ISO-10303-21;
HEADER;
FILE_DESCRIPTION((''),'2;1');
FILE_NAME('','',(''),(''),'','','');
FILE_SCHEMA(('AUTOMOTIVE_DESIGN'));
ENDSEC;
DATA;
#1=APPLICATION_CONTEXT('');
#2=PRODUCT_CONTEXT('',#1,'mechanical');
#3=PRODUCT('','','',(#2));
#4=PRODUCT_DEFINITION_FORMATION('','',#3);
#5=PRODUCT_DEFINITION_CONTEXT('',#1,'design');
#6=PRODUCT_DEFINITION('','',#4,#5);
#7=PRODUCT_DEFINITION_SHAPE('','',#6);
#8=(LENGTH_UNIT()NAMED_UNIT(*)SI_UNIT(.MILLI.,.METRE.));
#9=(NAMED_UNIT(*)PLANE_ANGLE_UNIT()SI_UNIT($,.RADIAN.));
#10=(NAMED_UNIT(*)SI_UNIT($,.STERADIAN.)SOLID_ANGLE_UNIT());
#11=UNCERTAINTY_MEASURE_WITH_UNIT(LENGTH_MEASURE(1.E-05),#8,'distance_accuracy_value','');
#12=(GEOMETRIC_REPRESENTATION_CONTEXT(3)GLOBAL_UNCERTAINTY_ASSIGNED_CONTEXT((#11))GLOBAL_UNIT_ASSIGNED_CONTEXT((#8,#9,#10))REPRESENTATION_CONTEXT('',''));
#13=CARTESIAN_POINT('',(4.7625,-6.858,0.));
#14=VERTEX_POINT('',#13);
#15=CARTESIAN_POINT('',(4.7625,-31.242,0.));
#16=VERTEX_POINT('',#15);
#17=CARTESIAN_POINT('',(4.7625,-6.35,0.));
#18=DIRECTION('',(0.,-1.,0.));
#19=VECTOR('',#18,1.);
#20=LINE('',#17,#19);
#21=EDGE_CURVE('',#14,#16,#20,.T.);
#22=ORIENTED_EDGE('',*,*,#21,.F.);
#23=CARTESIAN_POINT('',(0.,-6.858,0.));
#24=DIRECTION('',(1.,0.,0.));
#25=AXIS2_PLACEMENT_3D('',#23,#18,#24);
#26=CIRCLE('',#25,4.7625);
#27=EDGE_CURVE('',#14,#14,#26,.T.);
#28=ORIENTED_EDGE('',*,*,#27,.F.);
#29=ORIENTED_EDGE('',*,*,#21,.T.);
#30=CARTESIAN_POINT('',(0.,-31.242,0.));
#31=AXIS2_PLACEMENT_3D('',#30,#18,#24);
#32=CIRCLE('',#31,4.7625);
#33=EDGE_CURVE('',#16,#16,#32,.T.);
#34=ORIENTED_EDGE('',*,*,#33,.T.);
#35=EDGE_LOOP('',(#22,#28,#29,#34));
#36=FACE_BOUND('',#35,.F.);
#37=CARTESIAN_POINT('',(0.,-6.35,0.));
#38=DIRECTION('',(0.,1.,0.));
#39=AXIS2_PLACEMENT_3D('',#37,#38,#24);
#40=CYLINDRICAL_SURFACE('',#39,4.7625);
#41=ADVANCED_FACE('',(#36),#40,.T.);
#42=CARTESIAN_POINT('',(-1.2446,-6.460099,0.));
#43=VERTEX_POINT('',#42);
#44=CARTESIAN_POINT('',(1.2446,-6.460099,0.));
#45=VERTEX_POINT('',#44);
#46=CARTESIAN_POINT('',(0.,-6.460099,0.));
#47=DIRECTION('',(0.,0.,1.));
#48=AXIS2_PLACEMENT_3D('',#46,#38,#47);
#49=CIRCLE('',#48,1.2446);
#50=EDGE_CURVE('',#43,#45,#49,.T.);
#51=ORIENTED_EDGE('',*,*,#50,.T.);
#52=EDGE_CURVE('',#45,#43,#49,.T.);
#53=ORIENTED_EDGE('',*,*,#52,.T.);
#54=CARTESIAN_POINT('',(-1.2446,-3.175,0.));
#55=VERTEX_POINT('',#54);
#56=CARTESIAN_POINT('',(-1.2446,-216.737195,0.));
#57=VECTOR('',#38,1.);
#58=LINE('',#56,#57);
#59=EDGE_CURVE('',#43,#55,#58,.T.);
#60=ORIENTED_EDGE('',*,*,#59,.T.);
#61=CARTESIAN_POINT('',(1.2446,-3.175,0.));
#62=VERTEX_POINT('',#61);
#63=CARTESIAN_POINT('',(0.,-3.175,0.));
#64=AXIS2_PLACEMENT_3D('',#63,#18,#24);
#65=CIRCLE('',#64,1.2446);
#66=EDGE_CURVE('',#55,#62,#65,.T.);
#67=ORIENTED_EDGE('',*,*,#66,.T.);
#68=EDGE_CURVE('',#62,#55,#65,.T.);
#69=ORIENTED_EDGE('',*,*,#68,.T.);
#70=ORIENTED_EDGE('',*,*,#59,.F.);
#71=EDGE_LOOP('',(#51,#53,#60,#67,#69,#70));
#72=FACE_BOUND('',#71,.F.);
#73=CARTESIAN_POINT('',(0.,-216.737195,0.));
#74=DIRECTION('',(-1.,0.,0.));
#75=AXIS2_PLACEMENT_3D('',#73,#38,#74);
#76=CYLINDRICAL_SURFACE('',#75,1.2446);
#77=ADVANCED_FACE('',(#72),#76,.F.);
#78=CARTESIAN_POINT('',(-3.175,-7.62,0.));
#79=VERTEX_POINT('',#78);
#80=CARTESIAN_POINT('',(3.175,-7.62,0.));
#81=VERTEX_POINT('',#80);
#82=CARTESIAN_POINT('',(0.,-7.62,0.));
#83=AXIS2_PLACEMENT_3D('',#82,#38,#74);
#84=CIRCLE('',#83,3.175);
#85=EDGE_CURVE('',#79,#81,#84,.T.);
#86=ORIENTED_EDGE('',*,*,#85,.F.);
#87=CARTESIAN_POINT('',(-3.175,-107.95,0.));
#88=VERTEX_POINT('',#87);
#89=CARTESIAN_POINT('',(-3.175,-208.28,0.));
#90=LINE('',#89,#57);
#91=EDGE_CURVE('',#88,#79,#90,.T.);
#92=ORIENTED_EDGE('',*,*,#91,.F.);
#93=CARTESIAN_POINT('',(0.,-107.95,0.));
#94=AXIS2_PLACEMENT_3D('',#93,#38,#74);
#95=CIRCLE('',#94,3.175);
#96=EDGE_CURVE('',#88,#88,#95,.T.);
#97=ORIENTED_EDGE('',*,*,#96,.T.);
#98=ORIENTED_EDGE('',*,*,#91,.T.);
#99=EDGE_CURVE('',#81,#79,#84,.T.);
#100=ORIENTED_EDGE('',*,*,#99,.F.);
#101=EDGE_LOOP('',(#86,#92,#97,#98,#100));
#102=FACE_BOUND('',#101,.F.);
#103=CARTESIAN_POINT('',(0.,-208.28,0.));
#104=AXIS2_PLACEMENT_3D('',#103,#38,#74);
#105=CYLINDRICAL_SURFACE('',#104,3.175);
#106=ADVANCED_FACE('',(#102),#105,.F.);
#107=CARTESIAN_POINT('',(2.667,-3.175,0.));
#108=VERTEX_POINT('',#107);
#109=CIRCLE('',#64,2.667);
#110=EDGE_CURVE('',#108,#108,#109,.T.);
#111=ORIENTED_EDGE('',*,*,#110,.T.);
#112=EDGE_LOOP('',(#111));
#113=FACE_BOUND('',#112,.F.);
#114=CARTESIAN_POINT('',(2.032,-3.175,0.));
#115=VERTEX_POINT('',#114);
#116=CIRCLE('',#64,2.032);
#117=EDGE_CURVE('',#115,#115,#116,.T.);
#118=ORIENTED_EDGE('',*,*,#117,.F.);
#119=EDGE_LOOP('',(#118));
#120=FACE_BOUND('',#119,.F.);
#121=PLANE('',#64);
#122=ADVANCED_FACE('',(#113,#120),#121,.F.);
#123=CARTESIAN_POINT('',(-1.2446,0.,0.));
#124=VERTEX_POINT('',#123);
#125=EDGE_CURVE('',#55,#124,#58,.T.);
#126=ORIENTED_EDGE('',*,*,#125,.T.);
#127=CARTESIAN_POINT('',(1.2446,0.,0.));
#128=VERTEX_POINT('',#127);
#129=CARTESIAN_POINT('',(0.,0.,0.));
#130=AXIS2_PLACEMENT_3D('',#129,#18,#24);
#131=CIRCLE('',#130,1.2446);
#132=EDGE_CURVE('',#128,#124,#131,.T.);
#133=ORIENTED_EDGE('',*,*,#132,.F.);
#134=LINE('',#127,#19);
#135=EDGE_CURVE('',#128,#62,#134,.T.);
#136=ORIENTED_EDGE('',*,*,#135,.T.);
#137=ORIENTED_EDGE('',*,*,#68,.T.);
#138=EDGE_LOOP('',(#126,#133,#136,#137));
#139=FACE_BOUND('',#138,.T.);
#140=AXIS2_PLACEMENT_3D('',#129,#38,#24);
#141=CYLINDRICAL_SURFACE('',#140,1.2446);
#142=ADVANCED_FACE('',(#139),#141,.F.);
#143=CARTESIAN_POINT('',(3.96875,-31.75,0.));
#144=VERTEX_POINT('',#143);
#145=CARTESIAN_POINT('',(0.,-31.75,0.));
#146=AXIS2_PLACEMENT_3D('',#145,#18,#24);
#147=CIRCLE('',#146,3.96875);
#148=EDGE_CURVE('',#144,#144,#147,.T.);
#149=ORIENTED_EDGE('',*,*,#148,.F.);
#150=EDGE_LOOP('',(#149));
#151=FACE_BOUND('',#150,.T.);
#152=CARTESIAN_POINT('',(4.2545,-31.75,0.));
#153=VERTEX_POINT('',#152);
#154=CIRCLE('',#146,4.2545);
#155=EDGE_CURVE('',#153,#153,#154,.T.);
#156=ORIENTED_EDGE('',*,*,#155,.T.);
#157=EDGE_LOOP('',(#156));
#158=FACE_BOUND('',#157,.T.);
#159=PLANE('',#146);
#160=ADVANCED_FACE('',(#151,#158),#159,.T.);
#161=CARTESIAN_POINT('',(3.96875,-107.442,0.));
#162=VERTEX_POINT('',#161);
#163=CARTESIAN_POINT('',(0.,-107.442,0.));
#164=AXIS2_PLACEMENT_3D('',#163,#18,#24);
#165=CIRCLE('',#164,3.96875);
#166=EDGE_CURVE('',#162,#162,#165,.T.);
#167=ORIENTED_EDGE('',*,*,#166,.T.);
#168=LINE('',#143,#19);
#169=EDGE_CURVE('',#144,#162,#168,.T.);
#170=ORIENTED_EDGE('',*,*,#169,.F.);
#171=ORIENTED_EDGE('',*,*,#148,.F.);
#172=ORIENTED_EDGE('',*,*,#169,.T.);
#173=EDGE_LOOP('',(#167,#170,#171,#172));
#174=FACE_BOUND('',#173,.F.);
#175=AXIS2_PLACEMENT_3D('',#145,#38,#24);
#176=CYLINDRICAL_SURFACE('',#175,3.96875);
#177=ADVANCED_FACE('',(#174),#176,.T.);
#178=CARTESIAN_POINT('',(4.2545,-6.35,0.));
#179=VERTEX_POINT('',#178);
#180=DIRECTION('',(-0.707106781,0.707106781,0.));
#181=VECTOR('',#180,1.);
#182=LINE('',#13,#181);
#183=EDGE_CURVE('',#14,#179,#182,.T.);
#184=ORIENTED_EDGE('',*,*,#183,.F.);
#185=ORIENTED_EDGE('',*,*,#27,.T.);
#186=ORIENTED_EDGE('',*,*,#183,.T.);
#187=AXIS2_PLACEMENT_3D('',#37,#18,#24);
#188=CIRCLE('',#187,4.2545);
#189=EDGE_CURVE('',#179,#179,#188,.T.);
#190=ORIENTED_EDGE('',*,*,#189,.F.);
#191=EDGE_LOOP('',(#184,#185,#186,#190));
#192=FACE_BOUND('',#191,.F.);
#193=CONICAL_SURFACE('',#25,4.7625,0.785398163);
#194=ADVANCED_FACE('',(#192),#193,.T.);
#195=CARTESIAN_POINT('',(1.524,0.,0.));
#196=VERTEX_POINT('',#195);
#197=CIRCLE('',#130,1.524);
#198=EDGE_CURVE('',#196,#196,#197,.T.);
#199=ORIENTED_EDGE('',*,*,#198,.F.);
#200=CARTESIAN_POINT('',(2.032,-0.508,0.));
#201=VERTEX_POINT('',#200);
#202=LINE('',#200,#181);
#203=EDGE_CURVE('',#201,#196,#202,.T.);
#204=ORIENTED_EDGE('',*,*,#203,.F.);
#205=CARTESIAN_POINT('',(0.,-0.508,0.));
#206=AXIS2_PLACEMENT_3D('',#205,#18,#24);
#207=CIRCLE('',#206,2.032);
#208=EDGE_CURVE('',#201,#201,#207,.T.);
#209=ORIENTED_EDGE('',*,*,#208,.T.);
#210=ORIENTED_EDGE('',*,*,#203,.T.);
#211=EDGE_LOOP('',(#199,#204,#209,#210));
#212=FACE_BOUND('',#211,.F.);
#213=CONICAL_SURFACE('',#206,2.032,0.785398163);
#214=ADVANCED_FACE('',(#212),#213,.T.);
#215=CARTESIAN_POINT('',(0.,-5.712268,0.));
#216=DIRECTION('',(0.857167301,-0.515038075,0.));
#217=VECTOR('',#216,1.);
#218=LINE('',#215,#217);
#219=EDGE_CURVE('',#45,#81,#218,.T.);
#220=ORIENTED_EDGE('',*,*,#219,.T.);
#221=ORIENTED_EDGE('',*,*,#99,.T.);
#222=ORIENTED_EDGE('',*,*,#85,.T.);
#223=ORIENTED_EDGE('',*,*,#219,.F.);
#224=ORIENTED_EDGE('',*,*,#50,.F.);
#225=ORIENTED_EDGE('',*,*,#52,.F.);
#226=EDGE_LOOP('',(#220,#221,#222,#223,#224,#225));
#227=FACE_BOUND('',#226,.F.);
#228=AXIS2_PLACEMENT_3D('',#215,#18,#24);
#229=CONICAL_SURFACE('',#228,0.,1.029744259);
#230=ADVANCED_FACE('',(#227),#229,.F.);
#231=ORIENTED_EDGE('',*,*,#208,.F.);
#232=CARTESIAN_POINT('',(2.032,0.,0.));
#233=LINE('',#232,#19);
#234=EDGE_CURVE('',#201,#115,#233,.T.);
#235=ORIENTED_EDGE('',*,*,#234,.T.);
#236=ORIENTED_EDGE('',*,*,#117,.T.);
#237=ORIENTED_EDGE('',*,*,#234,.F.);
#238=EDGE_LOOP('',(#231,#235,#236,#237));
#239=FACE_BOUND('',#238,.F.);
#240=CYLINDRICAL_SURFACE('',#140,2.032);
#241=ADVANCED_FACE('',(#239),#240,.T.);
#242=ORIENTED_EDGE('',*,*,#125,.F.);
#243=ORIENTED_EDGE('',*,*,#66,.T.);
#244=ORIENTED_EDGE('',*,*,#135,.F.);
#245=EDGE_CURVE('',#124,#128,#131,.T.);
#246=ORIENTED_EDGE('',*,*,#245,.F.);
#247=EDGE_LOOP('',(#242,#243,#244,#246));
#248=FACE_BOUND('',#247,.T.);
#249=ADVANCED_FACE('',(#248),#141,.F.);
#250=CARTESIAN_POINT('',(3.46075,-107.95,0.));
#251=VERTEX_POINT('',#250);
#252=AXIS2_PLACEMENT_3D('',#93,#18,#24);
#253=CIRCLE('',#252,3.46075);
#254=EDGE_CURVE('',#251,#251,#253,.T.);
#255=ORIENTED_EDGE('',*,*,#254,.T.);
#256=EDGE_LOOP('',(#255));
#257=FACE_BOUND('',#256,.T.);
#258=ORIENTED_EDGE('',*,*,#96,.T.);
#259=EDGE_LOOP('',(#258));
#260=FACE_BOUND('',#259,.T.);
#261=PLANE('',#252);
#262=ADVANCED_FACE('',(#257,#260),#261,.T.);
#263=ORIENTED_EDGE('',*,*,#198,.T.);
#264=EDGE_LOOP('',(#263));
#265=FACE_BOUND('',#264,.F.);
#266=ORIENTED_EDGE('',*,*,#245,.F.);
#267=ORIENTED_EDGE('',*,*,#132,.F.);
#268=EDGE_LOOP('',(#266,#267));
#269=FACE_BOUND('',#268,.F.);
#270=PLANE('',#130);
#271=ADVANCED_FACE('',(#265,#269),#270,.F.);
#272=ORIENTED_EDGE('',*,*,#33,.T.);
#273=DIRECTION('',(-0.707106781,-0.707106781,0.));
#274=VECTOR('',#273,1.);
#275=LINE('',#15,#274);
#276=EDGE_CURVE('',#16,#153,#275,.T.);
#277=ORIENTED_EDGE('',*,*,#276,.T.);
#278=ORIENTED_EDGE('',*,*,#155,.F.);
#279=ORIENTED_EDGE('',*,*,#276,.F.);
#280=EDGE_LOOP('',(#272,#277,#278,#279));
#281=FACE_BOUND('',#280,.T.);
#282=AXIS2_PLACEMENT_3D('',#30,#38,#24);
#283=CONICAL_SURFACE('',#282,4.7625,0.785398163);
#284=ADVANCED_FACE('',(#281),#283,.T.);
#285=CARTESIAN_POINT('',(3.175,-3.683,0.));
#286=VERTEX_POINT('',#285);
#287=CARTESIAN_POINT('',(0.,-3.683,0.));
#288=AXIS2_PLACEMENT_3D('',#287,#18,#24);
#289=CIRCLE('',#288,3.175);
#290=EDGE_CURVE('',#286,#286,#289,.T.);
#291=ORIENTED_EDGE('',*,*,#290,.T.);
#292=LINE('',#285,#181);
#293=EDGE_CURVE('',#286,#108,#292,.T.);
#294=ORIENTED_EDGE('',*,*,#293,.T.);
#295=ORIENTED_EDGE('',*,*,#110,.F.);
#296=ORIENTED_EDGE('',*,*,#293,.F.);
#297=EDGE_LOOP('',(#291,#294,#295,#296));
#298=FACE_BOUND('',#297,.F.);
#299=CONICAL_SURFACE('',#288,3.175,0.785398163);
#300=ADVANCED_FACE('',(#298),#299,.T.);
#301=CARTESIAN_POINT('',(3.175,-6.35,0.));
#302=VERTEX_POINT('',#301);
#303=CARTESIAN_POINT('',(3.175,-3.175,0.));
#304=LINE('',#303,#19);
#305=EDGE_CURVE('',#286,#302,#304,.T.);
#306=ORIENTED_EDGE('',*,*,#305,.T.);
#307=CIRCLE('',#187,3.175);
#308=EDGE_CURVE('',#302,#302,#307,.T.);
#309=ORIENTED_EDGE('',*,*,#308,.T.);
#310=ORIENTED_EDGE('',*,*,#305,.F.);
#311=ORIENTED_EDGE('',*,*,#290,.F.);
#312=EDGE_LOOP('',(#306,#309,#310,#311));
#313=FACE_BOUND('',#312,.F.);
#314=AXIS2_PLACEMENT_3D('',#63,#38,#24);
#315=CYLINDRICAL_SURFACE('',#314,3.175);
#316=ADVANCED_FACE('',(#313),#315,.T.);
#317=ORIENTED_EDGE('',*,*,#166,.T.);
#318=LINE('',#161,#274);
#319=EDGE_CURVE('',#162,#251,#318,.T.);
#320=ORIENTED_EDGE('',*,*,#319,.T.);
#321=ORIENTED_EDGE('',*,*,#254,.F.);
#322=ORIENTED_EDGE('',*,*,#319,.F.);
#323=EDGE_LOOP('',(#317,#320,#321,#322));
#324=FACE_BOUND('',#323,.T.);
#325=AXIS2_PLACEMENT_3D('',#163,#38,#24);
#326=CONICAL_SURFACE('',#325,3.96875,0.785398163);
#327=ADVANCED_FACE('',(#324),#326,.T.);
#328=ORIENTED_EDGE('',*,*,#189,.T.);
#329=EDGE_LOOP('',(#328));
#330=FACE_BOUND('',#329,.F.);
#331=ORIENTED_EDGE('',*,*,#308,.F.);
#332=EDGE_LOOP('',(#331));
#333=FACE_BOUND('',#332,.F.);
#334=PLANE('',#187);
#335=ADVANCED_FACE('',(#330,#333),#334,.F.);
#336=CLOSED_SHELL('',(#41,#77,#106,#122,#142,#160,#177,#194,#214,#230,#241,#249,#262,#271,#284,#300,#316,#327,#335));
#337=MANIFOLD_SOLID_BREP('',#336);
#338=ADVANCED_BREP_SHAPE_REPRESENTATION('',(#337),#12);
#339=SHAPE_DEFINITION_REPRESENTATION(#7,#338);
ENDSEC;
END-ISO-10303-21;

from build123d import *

# Parameters (mm, degrees)
F0_R     = 2.032
F0_R_2   = 1.2446
F1_DEPTH = 3.175
F2_R     = 3.175
F3_DEPTH = 3.175
F4_R     = 4.7625
F5_DEPTH = 25.4
F6_R     = 3.96875
F7_DEPTH = 76.2
F9_D     = 6.35
F9_DEPTH = 100.33
F9_TIP   = 1.9077324654
F10_D    = 2.4892
F11_SIZE = 0.508


with BuildPart() as f1:
    # F0 (on Front) → F1 (new body)
    with BuildSketch(Plane.XZ):
        Circle(F0_R)
        Circle(F0_R_2, mode=Mode.SUBTRACT)
    extrude(amount=F1_DEPTH)

    # F2 (on face) → F3 (join)
    with BuildSketch(Plane.XZ.offset(3.175)):
        Circle(F2_R)
    extrude(amount=F3_DEPTH)

    # F4 (on face) → F5 (join)
    with BuildSketch(Plane.XZ.offset(6.35)):
        Circle(F4_R)
    extrude(amount=F5_DEPTH)

    # F6 (on face) → F7 (join)
    with BuildSketch(Plane.XZ.offset(31.75)):
        Circle(F6_R)
    extrude(amount=F7_DEPTH)

    # F9
    with Locations(Plane.XZ.offset(107.95)):
        with Locations((0, 0)):
            Hole(F9_D / 2, depth=F9_DEPTH)
            with Locations((0, 0, -(F9_DEPTH + F9_TIP / 2))):  # 118° drill point
                Cone(0, F9_D / 2, F9_TIP, mode=Mode.SUBTRACT)

    # F10 (through all)
    with Locations(Plane.XZ.offset(107.95)):
        with Locations((0, 0)):
            Hole(F10_D / 2)

    # F11
    f11_edges = [f1.edges().sort_by_distance(p)[0] for p in [
        (-2.032, 0, 0),
        (-3.175, -3.175, 0),
        (-4.7625, -6.35, 0),
        (-4.7625, -31.75, 0),
        (-3.96875, -107.95, 0),
    ]]
    chamfer(f11_edges, length=F11_SIZE)


solid = f1.part
